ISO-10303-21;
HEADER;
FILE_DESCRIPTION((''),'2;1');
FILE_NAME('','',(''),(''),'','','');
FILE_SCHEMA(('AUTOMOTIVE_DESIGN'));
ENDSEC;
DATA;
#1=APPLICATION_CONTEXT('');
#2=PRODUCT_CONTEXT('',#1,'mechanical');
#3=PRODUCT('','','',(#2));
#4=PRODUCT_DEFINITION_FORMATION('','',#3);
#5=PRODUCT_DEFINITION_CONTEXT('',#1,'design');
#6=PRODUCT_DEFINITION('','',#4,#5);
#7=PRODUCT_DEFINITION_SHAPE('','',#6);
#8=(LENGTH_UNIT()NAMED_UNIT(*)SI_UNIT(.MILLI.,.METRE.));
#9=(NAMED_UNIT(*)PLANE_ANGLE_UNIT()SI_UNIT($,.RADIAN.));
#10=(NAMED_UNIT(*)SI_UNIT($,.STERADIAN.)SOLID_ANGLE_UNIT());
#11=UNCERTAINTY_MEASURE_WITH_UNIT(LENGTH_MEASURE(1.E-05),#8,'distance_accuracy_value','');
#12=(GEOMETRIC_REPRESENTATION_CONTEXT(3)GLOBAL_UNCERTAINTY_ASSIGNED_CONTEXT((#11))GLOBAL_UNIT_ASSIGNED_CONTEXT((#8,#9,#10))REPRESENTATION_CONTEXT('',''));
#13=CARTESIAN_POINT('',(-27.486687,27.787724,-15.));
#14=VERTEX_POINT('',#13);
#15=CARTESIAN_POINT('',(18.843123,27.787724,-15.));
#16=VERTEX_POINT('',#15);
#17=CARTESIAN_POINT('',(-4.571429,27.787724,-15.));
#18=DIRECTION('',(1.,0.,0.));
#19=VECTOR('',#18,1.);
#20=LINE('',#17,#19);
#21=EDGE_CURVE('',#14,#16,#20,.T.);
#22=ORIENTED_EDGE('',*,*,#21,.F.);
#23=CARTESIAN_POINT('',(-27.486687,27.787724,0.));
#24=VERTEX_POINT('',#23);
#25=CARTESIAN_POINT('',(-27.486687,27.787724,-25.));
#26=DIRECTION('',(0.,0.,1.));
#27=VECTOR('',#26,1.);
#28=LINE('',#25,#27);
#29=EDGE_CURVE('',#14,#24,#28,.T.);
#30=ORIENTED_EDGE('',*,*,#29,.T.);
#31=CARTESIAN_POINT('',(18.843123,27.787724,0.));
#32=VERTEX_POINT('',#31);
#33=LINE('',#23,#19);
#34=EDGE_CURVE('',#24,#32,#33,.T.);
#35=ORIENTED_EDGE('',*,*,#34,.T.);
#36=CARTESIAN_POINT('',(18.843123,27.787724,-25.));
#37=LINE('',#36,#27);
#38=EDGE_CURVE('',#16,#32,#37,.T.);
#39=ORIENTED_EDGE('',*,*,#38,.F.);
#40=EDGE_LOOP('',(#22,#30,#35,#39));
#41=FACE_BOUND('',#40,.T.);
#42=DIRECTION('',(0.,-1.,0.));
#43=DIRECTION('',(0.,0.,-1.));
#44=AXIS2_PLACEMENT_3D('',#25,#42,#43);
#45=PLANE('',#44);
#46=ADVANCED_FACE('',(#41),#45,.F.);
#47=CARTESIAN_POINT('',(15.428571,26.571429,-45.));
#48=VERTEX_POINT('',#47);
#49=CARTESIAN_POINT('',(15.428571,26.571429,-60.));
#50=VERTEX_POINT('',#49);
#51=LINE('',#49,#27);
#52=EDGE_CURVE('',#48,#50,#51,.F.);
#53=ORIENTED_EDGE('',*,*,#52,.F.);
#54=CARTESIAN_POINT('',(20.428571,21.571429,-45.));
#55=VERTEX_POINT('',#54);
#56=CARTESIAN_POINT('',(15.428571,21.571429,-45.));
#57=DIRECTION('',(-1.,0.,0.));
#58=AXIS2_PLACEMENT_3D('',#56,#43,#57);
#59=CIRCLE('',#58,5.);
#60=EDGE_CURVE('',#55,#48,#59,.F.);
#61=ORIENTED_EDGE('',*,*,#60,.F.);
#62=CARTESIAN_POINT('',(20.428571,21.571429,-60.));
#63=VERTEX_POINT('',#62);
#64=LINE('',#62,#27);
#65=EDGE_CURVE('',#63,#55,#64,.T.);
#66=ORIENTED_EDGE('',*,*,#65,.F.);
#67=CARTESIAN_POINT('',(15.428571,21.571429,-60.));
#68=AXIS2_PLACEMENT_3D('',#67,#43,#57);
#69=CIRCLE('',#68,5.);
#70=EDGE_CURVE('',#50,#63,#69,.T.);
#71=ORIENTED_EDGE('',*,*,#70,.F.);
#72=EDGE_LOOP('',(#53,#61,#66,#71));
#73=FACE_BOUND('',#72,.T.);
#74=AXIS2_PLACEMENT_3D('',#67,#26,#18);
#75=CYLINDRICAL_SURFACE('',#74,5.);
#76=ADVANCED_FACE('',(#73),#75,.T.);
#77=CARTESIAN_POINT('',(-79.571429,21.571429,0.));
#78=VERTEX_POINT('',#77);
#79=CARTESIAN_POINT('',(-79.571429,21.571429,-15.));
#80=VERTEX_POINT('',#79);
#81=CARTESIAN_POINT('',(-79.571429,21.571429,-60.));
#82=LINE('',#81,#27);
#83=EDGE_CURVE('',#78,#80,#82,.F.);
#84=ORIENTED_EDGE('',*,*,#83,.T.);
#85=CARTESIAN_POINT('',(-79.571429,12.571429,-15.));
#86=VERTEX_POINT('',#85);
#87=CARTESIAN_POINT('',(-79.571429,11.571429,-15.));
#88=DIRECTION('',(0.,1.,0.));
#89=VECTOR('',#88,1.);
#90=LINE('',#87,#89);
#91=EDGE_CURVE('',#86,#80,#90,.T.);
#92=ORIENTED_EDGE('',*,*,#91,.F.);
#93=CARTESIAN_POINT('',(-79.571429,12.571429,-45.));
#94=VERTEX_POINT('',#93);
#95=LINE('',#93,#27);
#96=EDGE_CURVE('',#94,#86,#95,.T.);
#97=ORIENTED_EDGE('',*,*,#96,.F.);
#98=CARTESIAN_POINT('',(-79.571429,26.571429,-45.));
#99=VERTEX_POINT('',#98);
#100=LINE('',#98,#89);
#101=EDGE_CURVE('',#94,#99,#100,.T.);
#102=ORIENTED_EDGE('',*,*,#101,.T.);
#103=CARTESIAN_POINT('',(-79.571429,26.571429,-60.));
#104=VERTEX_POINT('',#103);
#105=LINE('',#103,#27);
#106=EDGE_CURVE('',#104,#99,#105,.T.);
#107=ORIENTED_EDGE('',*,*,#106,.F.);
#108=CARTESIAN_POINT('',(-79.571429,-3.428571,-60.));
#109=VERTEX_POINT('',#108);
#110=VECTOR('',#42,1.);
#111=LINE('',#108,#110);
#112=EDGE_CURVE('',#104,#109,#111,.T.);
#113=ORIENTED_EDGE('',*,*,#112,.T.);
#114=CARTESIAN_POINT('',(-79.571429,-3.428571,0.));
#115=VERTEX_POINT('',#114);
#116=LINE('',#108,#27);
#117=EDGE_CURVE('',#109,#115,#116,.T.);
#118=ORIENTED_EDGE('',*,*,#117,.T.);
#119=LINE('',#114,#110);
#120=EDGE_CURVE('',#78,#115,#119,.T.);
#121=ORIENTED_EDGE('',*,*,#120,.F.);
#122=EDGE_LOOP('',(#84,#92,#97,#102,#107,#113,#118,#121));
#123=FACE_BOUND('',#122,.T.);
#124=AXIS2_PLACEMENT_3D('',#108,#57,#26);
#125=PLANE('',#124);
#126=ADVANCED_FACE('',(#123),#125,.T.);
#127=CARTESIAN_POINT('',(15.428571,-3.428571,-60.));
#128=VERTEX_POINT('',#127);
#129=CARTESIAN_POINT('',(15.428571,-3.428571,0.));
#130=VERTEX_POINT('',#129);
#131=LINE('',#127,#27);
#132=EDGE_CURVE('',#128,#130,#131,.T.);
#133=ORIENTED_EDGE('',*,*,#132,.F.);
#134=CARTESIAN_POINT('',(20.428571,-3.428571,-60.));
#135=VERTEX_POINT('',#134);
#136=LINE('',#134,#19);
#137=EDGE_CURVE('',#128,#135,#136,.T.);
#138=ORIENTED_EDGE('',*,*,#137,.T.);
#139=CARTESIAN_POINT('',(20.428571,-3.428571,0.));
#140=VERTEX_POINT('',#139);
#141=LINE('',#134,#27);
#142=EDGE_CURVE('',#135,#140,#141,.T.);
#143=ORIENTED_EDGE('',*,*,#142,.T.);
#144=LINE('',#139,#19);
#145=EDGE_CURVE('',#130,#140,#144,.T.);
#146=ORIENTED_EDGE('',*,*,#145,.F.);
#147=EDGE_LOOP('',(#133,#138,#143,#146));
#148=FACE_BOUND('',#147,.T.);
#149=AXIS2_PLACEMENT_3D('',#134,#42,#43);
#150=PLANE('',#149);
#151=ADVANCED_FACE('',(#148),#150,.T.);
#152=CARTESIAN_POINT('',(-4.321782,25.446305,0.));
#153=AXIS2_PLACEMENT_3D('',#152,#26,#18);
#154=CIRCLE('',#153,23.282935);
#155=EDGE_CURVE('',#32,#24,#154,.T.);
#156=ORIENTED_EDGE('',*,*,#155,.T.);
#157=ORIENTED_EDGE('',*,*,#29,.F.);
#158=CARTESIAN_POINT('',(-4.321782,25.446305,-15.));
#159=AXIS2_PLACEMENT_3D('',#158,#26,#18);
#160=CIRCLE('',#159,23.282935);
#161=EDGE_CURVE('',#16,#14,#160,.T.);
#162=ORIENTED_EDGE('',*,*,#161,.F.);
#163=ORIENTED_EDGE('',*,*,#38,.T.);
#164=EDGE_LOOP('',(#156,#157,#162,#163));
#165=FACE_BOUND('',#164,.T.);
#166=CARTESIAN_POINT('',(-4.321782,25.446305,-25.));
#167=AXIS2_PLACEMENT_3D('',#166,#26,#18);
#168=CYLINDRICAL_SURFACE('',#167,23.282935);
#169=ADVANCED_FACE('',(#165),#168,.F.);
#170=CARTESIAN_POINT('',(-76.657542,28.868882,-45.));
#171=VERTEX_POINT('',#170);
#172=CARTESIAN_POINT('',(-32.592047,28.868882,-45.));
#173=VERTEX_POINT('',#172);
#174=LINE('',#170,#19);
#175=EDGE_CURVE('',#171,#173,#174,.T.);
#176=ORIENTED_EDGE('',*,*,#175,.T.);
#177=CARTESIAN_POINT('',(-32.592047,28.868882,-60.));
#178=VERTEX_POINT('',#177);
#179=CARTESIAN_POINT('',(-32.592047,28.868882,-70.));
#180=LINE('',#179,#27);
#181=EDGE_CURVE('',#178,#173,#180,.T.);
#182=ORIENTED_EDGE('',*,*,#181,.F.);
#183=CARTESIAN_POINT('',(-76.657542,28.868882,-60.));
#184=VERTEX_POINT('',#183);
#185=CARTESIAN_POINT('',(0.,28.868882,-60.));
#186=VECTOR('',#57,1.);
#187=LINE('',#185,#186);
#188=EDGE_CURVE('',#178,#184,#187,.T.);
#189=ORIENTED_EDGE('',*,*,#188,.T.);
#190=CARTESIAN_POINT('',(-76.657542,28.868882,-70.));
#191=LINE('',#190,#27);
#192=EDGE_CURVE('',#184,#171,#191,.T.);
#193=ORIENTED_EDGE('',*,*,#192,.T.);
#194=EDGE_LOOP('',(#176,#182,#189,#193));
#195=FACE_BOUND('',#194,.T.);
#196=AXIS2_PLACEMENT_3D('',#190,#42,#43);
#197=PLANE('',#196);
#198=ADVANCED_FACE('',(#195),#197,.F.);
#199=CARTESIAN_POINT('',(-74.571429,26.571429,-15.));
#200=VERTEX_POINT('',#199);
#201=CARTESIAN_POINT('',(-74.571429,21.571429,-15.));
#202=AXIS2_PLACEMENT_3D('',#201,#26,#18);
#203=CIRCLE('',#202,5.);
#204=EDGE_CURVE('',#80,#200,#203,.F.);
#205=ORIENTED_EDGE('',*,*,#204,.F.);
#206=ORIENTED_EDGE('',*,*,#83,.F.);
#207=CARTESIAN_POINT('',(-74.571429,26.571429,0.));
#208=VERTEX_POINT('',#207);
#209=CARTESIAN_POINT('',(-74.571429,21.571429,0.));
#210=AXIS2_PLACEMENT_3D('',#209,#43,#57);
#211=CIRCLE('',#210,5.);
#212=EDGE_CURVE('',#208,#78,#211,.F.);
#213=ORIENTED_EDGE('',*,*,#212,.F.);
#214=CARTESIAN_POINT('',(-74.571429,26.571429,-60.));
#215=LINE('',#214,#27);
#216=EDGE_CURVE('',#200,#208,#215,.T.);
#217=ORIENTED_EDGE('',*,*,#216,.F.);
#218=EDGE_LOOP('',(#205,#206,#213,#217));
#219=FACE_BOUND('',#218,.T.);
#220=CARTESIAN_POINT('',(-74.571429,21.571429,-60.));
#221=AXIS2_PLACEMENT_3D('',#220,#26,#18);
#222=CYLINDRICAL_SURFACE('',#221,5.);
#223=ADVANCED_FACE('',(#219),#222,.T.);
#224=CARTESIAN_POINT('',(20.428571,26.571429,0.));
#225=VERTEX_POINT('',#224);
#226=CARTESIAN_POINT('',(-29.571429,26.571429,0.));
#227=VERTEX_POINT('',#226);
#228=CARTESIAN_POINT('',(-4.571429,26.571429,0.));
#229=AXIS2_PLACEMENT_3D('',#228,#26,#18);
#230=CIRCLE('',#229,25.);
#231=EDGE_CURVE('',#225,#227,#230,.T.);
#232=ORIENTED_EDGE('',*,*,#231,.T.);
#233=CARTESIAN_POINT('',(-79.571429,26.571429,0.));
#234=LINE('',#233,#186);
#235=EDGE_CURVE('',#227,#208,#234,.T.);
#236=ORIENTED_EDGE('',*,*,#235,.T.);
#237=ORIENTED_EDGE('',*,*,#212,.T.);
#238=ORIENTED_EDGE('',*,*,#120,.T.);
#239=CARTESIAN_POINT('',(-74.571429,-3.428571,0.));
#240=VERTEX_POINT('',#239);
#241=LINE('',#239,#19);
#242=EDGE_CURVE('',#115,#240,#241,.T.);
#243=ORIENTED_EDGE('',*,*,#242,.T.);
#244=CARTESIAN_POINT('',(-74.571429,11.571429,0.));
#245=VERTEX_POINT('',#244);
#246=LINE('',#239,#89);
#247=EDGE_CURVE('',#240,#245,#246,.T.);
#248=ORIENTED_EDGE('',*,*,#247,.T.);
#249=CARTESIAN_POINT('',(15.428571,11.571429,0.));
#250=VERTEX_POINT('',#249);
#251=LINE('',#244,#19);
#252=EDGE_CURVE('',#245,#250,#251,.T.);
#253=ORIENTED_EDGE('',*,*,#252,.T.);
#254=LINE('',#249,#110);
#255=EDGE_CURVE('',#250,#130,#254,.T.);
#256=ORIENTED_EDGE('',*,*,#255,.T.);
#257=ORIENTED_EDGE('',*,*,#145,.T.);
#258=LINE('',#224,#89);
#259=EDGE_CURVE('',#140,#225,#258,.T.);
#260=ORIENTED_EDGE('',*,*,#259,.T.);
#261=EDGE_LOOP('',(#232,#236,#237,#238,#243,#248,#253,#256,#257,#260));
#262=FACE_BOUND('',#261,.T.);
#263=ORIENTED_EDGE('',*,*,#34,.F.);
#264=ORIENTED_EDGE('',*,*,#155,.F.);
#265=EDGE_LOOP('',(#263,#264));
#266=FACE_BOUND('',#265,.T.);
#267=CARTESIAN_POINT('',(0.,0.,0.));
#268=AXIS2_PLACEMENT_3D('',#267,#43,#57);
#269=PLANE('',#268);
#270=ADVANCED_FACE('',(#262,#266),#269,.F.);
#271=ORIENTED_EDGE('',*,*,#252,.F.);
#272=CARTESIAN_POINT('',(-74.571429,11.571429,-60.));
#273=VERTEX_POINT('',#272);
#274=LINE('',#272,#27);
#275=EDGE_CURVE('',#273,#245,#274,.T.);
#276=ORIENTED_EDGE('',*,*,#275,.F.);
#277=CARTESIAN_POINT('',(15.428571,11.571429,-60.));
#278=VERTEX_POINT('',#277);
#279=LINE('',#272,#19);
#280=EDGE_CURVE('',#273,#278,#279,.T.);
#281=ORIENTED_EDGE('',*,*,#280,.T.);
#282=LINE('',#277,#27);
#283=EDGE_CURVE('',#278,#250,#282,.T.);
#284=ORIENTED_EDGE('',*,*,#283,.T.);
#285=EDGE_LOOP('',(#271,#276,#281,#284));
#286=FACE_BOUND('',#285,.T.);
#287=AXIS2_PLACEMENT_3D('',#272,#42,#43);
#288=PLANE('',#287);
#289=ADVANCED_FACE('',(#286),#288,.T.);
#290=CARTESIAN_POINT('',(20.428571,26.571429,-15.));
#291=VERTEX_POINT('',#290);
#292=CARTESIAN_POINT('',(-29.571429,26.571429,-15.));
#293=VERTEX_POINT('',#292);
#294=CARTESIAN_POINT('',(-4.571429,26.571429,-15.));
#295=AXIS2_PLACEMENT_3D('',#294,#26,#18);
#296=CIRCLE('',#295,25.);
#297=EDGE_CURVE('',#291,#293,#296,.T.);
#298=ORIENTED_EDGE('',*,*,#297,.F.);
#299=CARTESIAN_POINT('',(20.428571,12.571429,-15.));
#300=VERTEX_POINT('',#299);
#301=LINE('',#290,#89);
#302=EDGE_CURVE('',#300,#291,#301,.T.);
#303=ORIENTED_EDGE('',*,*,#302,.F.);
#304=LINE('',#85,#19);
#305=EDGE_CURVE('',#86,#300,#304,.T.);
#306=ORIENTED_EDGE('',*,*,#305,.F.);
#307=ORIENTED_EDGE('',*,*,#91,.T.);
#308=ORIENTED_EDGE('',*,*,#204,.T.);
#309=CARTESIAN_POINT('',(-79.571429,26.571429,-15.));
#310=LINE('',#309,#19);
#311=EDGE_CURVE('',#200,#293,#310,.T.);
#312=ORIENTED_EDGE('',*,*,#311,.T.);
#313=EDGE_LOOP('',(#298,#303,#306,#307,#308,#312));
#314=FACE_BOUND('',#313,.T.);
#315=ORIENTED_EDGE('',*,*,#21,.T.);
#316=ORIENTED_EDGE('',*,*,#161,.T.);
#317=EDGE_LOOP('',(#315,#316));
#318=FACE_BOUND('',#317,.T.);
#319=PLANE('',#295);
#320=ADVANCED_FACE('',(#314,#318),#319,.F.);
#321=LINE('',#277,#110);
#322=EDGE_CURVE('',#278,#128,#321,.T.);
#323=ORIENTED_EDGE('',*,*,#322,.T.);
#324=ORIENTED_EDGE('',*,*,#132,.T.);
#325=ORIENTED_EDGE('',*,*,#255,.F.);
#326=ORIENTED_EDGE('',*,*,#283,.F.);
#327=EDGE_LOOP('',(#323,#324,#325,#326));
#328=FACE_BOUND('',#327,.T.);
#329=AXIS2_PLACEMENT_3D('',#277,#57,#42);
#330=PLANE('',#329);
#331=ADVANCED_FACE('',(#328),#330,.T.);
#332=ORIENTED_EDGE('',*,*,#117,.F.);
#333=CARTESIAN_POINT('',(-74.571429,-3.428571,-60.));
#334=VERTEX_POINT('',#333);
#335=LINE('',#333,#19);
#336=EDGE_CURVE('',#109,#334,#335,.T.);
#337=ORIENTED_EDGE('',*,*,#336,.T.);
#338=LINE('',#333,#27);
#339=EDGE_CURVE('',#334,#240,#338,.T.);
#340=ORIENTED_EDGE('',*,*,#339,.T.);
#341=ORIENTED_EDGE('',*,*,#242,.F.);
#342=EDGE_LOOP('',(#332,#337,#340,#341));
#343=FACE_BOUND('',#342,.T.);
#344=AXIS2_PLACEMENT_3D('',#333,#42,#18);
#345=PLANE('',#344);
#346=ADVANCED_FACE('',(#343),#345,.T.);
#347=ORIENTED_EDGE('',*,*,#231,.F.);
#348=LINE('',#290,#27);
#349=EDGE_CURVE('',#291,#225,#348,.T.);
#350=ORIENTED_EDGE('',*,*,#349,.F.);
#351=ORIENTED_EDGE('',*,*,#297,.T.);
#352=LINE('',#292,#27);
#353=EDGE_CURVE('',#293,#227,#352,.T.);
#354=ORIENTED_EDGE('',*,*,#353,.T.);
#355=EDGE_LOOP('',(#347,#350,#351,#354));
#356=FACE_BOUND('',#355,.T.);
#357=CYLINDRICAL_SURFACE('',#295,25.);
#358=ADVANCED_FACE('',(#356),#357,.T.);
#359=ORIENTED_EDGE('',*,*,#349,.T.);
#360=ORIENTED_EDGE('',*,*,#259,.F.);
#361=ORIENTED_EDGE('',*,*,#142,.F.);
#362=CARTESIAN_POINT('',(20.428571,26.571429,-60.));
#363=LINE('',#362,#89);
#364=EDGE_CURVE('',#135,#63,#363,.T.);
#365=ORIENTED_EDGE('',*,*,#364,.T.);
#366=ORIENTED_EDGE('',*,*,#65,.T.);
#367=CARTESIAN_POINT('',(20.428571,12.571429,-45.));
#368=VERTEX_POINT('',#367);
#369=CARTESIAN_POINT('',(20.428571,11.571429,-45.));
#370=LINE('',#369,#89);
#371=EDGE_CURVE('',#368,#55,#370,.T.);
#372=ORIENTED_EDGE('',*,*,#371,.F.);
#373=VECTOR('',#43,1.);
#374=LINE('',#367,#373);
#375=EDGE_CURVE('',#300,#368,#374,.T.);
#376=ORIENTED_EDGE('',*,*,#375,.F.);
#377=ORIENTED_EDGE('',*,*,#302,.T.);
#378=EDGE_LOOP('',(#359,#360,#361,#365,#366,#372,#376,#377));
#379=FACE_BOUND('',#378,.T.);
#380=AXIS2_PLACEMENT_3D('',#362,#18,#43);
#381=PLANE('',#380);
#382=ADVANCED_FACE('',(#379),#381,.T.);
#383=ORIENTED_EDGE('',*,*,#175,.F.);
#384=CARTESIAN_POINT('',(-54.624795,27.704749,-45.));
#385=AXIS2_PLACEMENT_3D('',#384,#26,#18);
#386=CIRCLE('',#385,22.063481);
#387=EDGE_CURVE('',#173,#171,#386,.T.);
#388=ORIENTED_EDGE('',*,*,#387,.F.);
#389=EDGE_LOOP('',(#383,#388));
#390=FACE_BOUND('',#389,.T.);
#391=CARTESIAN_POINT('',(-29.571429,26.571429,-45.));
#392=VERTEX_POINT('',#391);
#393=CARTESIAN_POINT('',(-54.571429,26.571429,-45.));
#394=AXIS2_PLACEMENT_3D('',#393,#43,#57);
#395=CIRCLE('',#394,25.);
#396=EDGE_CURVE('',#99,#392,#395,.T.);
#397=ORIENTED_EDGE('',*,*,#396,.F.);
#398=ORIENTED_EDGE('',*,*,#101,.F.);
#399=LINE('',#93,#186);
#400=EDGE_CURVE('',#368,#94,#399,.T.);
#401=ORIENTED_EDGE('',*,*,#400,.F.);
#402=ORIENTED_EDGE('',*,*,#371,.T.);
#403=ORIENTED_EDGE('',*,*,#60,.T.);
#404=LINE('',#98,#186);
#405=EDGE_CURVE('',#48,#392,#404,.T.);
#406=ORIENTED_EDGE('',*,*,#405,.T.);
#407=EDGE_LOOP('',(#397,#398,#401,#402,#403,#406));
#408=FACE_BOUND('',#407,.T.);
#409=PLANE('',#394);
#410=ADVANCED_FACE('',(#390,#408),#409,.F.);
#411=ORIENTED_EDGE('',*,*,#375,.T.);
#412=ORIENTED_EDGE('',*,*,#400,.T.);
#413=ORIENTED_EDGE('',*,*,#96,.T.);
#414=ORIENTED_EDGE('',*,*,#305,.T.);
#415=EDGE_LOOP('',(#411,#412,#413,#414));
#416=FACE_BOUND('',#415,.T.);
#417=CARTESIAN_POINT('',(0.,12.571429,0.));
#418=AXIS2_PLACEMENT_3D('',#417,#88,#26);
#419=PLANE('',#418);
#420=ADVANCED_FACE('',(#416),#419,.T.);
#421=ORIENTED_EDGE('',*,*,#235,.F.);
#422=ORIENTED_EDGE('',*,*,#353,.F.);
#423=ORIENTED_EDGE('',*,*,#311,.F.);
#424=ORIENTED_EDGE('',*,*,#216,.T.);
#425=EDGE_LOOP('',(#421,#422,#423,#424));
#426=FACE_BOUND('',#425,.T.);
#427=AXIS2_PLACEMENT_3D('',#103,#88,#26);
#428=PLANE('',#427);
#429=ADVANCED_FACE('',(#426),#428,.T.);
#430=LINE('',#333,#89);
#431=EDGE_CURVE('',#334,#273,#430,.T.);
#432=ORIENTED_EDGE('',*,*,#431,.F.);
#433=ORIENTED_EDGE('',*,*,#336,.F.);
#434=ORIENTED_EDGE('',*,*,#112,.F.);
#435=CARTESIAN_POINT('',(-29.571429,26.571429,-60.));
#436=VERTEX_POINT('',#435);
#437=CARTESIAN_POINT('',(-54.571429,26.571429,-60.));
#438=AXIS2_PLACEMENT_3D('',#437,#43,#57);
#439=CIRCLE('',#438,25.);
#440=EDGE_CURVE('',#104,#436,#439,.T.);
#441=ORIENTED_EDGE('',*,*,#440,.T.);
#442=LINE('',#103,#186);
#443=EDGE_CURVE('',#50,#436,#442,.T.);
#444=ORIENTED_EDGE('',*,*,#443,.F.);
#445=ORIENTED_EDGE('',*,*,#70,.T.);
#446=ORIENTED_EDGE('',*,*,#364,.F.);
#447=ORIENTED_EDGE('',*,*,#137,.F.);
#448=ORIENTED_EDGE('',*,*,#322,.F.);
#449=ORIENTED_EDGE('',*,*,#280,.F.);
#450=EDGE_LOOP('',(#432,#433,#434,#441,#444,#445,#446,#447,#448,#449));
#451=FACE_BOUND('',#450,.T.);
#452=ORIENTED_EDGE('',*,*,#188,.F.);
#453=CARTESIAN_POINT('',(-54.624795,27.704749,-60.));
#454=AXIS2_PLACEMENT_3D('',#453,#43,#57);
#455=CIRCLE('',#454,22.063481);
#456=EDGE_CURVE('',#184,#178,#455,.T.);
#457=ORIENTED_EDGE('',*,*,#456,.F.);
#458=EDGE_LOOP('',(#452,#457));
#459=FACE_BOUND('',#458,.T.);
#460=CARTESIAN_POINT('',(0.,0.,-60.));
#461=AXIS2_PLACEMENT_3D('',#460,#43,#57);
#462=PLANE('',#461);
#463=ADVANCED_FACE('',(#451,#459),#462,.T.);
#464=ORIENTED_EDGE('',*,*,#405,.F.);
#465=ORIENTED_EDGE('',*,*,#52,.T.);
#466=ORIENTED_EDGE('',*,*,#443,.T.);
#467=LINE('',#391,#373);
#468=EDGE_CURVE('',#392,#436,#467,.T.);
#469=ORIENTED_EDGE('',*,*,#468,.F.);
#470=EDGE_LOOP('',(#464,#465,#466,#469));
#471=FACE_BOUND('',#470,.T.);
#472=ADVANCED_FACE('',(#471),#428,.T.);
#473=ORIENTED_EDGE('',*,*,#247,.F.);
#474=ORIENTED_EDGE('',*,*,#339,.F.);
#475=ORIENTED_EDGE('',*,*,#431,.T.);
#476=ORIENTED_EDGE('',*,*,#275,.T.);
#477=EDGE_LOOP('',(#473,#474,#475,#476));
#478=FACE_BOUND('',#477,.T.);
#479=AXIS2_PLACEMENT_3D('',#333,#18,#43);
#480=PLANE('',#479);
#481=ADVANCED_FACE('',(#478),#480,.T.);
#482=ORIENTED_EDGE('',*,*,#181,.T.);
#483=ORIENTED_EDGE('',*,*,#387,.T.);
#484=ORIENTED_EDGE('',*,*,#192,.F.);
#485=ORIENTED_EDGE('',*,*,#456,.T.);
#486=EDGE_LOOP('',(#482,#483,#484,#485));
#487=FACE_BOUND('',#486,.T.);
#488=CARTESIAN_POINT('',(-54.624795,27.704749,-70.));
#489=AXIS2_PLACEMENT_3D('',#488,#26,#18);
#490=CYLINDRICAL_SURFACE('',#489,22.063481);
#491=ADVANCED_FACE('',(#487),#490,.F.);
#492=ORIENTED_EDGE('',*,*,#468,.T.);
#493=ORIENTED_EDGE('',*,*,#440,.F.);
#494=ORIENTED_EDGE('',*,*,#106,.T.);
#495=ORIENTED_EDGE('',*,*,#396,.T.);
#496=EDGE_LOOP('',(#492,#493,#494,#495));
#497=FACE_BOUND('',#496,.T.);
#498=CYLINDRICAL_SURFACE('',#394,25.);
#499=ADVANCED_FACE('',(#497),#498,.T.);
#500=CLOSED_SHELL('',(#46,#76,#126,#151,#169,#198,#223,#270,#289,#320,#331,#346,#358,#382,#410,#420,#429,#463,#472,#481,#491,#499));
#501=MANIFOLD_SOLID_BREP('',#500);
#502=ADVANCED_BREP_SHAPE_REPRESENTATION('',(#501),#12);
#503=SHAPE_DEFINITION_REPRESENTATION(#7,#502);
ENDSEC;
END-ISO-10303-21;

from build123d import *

# Parameters (mm, degrees)
BOSS_EXTRUDE1_DEPTH  = 60
BOSS_EXTRUDE2_DEPTH  = 15
BOSS_EXTRUDE4_DEPTH  = 15
CUT_EXTRUDE3_DEPTH   = 25
CUT_EXTRUDE4_DEPTH   = 25
FILLET2_R            = 5
FILLET3_R            = 5
SKETCH10_W           = 100
SKETCH10_H           = 30
CUT_EXTRUDE8_DEPTH   = 15
SKETCH12_W           = 100
SKETCH12_H           = 30
BOSS_EXTRUDE10_DEPTH = 1


with BuildPart() as part:
    # Sketch1 → Boss-Extrude1 (new body)
    with BuildSketch(Plane.XY):
        Polygon((-74.571428571, -3.428571429), (-74.571428571, 11.571428571), (15.428571429, 11.571428571), (15.428571429, -3.428571429), (20.428571429, -3.428571429), (20.428571429, 26.571428571), (-79.571428571, 26.571428571), (-79.571428571, -3.428571429), align=None)
    extrude(amount=-BOSS_EXTRUDE1_DEPTH)

    # Sketch3 → Boss-Extrude2 (add)
    with BuildSketch(Plane(origin=(0, 0, -60), x_dir=(-1, 0, 0), z_dir=(0, 0, -1))):
        with BuildLine():
            Line((29.571428571, 26.571428571), (79.571428571, 26.571428571))
            ThreePointArc((79.571428571, 26.571428571), (54.571428571, 51.571428571), (29.571428571, 26.571428571))
        make_face()
    extrude(amount=-BOSS_EXTRUDE2_DEPTH)

    # Sketch4 → Boss-Extrude4 (add)
    with BuildSketch(Plane.XY):
        with BuildLine():
            Line((20.428571429, 26.571428571), (-29.571428571, 26.571428571))
            ThreePointArc((-29.571428571, 26.571428571), (-4.571428571, 51.571428571), (20.428571429, 26.571428571))
        make_face()
    extrude(amount=-BOSS_EXTRUDE4_DEPTH)

    # Sketch5 → Cut-Extrude3 (cut)
    with BuildSketch(Plane.XY):
        with BuildLine():
            Line((-27.48668728, 27.787723549), (18.843123445, 27.787723549))
            ThreePointArc((18.843123445, 27.787723549), (-4.321781917, 48.729240211), (-27.48668728, 27.787723549))
        make_face()
    extrude(amount=-CUT_EXTRUDE3_DEPTH, mode=Mode.SUBTRACT)

    # Sketch6 → Cut-Extrude4 (cut)
    with BuildSketch(Plane.XY.offset(-45)):
        with BuildLine():
            Line((-76.657542496, 28.868881688), (-32.592047201, 28.868881688))
            ThreePointArc((-32.592047201, 28.868881688), (-54.624794848, 49.768229308), (-76.657542496, 28.868881688))
        make_face()
    extrude(amount=-CUT_EXTRUDE4_DEPTH, mode=Mode.SUBTRACT)

    # Fillet2
    fillet2_edges = [part.edges().sort_by_distance(p)[0] for p in [
        (-79.571428571, 26.571428571, -22.5),
    ]]
    fillet(fillet2_edges, radius=FILLET2_R)

    # Fillet3
    fillet3_edges = [part.edges().sort_by_distance(p)[0] for p in [
        (20.428571429, 26.571428571, -37.5),
    ]]
    fillet(fillet3_edges, radius=FILLET3_R)

    # Sketch10 → Cut-Extrude8 (cut)
    with BuildSketch(Plane(origin=(0, 26.571428571, 0), x_dir=(1, 0, 0), z_dir=(0, 1, 0))):
        with Locations((-29.571428571, 30)):
            Rectangle(SKETCH10_W, SKETCH10_H)
    extrude(amount=-CUT_EXTRUDE8_DEPTH, mode=Mode.SUBTRACT)

    # Sketch12 → Boss-Extrude10 (add)
    with BuildSketch(Plane(origin=(0, 11.571428571, 0), x_dir=(1, 0, 0), z_dir=(0, 1, 0))):
        with Locations((-29.571428571, 30)):
            Rectangle(SKETCH12_W, SKETCH12_H)
    extrude(amount=BOSS_EXTRUDE10_DEPTH)


solid = part.part
